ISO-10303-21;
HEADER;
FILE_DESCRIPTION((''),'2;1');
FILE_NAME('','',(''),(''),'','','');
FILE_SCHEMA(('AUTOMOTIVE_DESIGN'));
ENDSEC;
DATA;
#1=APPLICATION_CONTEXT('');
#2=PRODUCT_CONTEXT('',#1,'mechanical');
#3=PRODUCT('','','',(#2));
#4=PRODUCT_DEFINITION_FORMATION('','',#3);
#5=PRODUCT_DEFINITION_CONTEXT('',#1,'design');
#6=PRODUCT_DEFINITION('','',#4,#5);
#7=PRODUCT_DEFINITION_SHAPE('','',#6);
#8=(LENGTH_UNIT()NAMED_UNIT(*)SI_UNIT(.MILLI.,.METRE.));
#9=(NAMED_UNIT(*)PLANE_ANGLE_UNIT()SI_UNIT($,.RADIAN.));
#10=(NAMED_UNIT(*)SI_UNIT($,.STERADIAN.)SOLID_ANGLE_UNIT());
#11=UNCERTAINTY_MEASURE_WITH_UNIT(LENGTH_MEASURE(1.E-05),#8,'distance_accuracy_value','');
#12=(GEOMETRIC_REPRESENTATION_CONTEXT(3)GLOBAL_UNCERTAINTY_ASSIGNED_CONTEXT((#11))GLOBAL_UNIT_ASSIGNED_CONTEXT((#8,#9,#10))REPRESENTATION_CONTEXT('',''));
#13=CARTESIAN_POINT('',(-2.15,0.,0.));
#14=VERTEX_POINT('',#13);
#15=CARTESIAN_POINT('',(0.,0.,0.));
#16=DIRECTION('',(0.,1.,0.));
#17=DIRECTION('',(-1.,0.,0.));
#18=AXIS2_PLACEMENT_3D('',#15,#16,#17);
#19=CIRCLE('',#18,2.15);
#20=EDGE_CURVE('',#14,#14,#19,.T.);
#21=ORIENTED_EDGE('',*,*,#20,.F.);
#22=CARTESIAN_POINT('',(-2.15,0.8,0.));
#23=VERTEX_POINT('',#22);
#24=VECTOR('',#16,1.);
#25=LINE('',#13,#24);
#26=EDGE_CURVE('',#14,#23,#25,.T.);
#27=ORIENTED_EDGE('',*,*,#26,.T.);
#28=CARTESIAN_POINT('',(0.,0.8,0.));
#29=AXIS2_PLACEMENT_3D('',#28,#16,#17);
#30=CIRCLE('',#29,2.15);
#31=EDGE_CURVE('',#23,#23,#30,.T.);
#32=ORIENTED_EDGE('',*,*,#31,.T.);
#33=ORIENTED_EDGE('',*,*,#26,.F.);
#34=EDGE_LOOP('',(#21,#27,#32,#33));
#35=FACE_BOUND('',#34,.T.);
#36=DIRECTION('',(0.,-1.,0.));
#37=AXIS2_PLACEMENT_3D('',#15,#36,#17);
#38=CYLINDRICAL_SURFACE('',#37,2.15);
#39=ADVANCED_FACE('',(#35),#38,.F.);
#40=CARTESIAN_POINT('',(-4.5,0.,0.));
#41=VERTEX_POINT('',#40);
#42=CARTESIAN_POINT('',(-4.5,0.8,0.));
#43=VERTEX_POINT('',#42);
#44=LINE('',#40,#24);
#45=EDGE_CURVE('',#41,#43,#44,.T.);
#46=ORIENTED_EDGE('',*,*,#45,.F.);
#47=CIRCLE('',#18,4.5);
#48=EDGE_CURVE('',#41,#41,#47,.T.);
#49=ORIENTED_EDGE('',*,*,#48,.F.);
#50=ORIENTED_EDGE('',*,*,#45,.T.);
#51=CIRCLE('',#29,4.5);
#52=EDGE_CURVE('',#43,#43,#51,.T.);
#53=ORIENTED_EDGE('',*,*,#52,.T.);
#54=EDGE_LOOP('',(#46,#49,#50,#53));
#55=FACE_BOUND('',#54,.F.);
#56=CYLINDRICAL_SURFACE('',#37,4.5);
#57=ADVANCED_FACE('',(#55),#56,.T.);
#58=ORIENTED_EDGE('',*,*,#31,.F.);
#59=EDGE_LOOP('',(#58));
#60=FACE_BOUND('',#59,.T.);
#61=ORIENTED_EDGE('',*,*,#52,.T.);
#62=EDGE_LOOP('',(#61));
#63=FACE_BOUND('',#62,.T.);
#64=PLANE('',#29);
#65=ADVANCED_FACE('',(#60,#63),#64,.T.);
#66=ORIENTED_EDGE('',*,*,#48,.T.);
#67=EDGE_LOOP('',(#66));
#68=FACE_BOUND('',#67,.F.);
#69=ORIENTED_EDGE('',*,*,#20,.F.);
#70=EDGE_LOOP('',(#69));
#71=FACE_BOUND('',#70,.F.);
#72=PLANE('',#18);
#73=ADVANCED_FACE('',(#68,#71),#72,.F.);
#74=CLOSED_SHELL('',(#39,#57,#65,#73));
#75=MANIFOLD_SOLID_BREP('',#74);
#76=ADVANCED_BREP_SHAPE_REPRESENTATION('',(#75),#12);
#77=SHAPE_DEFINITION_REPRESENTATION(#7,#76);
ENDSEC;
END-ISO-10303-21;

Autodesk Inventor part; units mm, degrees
ref_plane "YZ Plane" through (0, 0, 0) normal (1, 0, 0) x (0, 1, 0)
ref_plane "XZ Plane" through (0, 0, 0) normal (0, 1, 0) x (-1, 0, 0)
ref_plane "XY Plane" through (0, 0, 0) normal (0, 0, 1) x (1, 0, 0)
sketch "Sketch1" plane through (0, 0, 0) normal (0, 1, 0) x (-1, 0, 0)
  circle A0 centre (0, 0) radius 2.15
  circle A1 centre (0, 0) radius 4.5
  dimension "d0" = 4.3
  dimension "d1" = 9
extrude "Extrusion1" add sketch "Sketch1" along normal blind 0.8
properties part number "42-01-003"
